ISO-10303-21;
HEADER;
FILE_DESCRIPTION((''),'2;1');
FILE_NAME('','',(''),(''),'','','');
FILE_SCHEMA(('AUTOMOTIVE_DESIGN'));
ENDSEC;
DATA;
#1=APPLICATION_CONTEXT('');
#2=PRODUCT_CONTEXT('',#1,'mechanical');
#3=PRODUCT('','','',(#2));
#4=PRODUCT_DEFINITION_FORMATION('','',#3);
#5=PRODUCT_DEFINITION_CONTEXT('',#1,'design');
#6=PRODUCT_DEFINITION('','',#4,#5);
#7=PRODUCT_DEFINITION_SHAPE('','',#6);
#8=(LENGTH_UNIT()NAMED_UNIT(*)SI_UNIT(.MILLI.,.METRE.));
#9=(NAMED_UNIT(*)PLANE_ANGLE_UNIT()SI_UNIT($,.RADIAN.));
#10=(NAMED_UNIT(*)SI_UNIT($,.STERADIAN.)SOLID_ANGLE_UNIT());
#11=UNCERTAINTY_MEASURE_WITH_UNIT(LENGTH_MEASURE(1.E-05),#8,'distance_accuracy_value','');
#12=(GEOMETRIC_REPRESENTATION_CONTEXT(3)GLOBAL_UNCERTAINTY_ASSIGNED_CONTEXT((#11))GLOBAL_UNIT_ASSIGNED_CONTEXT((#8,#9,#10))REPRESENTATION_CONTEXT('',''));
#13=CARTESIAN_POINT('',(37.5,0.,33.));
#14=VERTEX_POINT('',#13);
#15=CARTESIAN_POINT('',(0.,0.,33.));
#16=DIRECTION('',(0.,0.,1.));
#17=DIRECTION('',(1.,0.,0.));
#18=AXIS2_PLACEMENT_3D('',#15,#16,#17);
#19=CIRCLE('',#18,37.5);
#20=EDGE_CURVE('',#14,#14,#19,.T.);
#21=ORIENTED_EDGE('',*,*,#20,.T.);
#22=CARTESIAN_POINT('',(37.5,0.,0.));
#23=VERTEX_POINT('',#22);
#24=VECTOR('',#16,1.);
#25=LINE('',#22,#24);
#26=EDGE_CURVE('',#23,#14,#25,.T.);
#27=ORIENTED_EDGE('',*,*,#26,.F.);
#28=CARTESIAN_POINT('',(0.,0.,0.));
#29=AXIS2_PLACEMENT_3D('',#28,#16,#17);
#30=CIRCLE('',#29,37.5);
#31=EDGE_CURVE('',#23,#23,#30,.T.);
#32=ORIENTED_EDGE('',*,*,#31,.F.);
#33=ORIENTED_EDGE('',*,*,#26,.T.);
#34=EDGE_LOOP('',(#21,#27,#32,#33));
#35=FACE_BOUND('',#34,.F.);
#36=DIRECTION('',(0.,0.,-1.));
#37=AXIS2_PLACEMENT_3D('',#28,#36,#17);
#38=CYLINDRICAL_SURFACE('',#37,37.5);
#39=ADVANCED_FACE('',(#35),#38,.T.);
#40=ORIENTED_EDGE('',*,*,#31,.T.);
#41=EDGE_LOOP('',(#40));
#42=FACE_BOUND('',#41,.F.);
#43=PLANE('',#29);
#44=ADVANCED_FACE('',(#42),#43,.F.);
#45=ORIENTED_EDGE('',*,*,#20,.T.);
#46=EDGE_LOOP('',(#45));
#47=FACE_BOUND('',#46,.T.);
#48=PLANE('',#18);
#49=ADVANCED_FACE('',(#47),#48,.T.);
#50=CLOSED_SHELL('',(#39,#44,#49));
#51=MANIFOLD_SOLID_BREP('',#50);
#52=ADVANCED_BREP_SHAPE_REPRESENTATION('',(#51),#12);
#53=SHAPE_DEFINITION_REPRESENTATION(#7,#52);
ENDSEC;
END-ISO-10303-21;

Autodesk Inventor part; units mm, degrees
ref_plane "YZ Plane" through (0, 0, 0) normal (1, 0, 0) x (0, 1, 0)
ref_plane "XZ Plane" through (0, 0, 0) normal (0, 1, 0) x (-1, 0, 0)
ref_plane "XY Plane" through (0, 0, 0) normal (0, 0, 1) x (1, 0, 0)
sketch "Sketch1" plane through (0, 0, 0) normal (0, 0, 1) x (1, 0, 0)
  circle A0 centre (0, 0) radius 37.5
  dimension "d0" = 75
extrude "Extrusion1" add sketch "Sketch1" along normal blind 33
properties part number "the force sensor_replacement"
